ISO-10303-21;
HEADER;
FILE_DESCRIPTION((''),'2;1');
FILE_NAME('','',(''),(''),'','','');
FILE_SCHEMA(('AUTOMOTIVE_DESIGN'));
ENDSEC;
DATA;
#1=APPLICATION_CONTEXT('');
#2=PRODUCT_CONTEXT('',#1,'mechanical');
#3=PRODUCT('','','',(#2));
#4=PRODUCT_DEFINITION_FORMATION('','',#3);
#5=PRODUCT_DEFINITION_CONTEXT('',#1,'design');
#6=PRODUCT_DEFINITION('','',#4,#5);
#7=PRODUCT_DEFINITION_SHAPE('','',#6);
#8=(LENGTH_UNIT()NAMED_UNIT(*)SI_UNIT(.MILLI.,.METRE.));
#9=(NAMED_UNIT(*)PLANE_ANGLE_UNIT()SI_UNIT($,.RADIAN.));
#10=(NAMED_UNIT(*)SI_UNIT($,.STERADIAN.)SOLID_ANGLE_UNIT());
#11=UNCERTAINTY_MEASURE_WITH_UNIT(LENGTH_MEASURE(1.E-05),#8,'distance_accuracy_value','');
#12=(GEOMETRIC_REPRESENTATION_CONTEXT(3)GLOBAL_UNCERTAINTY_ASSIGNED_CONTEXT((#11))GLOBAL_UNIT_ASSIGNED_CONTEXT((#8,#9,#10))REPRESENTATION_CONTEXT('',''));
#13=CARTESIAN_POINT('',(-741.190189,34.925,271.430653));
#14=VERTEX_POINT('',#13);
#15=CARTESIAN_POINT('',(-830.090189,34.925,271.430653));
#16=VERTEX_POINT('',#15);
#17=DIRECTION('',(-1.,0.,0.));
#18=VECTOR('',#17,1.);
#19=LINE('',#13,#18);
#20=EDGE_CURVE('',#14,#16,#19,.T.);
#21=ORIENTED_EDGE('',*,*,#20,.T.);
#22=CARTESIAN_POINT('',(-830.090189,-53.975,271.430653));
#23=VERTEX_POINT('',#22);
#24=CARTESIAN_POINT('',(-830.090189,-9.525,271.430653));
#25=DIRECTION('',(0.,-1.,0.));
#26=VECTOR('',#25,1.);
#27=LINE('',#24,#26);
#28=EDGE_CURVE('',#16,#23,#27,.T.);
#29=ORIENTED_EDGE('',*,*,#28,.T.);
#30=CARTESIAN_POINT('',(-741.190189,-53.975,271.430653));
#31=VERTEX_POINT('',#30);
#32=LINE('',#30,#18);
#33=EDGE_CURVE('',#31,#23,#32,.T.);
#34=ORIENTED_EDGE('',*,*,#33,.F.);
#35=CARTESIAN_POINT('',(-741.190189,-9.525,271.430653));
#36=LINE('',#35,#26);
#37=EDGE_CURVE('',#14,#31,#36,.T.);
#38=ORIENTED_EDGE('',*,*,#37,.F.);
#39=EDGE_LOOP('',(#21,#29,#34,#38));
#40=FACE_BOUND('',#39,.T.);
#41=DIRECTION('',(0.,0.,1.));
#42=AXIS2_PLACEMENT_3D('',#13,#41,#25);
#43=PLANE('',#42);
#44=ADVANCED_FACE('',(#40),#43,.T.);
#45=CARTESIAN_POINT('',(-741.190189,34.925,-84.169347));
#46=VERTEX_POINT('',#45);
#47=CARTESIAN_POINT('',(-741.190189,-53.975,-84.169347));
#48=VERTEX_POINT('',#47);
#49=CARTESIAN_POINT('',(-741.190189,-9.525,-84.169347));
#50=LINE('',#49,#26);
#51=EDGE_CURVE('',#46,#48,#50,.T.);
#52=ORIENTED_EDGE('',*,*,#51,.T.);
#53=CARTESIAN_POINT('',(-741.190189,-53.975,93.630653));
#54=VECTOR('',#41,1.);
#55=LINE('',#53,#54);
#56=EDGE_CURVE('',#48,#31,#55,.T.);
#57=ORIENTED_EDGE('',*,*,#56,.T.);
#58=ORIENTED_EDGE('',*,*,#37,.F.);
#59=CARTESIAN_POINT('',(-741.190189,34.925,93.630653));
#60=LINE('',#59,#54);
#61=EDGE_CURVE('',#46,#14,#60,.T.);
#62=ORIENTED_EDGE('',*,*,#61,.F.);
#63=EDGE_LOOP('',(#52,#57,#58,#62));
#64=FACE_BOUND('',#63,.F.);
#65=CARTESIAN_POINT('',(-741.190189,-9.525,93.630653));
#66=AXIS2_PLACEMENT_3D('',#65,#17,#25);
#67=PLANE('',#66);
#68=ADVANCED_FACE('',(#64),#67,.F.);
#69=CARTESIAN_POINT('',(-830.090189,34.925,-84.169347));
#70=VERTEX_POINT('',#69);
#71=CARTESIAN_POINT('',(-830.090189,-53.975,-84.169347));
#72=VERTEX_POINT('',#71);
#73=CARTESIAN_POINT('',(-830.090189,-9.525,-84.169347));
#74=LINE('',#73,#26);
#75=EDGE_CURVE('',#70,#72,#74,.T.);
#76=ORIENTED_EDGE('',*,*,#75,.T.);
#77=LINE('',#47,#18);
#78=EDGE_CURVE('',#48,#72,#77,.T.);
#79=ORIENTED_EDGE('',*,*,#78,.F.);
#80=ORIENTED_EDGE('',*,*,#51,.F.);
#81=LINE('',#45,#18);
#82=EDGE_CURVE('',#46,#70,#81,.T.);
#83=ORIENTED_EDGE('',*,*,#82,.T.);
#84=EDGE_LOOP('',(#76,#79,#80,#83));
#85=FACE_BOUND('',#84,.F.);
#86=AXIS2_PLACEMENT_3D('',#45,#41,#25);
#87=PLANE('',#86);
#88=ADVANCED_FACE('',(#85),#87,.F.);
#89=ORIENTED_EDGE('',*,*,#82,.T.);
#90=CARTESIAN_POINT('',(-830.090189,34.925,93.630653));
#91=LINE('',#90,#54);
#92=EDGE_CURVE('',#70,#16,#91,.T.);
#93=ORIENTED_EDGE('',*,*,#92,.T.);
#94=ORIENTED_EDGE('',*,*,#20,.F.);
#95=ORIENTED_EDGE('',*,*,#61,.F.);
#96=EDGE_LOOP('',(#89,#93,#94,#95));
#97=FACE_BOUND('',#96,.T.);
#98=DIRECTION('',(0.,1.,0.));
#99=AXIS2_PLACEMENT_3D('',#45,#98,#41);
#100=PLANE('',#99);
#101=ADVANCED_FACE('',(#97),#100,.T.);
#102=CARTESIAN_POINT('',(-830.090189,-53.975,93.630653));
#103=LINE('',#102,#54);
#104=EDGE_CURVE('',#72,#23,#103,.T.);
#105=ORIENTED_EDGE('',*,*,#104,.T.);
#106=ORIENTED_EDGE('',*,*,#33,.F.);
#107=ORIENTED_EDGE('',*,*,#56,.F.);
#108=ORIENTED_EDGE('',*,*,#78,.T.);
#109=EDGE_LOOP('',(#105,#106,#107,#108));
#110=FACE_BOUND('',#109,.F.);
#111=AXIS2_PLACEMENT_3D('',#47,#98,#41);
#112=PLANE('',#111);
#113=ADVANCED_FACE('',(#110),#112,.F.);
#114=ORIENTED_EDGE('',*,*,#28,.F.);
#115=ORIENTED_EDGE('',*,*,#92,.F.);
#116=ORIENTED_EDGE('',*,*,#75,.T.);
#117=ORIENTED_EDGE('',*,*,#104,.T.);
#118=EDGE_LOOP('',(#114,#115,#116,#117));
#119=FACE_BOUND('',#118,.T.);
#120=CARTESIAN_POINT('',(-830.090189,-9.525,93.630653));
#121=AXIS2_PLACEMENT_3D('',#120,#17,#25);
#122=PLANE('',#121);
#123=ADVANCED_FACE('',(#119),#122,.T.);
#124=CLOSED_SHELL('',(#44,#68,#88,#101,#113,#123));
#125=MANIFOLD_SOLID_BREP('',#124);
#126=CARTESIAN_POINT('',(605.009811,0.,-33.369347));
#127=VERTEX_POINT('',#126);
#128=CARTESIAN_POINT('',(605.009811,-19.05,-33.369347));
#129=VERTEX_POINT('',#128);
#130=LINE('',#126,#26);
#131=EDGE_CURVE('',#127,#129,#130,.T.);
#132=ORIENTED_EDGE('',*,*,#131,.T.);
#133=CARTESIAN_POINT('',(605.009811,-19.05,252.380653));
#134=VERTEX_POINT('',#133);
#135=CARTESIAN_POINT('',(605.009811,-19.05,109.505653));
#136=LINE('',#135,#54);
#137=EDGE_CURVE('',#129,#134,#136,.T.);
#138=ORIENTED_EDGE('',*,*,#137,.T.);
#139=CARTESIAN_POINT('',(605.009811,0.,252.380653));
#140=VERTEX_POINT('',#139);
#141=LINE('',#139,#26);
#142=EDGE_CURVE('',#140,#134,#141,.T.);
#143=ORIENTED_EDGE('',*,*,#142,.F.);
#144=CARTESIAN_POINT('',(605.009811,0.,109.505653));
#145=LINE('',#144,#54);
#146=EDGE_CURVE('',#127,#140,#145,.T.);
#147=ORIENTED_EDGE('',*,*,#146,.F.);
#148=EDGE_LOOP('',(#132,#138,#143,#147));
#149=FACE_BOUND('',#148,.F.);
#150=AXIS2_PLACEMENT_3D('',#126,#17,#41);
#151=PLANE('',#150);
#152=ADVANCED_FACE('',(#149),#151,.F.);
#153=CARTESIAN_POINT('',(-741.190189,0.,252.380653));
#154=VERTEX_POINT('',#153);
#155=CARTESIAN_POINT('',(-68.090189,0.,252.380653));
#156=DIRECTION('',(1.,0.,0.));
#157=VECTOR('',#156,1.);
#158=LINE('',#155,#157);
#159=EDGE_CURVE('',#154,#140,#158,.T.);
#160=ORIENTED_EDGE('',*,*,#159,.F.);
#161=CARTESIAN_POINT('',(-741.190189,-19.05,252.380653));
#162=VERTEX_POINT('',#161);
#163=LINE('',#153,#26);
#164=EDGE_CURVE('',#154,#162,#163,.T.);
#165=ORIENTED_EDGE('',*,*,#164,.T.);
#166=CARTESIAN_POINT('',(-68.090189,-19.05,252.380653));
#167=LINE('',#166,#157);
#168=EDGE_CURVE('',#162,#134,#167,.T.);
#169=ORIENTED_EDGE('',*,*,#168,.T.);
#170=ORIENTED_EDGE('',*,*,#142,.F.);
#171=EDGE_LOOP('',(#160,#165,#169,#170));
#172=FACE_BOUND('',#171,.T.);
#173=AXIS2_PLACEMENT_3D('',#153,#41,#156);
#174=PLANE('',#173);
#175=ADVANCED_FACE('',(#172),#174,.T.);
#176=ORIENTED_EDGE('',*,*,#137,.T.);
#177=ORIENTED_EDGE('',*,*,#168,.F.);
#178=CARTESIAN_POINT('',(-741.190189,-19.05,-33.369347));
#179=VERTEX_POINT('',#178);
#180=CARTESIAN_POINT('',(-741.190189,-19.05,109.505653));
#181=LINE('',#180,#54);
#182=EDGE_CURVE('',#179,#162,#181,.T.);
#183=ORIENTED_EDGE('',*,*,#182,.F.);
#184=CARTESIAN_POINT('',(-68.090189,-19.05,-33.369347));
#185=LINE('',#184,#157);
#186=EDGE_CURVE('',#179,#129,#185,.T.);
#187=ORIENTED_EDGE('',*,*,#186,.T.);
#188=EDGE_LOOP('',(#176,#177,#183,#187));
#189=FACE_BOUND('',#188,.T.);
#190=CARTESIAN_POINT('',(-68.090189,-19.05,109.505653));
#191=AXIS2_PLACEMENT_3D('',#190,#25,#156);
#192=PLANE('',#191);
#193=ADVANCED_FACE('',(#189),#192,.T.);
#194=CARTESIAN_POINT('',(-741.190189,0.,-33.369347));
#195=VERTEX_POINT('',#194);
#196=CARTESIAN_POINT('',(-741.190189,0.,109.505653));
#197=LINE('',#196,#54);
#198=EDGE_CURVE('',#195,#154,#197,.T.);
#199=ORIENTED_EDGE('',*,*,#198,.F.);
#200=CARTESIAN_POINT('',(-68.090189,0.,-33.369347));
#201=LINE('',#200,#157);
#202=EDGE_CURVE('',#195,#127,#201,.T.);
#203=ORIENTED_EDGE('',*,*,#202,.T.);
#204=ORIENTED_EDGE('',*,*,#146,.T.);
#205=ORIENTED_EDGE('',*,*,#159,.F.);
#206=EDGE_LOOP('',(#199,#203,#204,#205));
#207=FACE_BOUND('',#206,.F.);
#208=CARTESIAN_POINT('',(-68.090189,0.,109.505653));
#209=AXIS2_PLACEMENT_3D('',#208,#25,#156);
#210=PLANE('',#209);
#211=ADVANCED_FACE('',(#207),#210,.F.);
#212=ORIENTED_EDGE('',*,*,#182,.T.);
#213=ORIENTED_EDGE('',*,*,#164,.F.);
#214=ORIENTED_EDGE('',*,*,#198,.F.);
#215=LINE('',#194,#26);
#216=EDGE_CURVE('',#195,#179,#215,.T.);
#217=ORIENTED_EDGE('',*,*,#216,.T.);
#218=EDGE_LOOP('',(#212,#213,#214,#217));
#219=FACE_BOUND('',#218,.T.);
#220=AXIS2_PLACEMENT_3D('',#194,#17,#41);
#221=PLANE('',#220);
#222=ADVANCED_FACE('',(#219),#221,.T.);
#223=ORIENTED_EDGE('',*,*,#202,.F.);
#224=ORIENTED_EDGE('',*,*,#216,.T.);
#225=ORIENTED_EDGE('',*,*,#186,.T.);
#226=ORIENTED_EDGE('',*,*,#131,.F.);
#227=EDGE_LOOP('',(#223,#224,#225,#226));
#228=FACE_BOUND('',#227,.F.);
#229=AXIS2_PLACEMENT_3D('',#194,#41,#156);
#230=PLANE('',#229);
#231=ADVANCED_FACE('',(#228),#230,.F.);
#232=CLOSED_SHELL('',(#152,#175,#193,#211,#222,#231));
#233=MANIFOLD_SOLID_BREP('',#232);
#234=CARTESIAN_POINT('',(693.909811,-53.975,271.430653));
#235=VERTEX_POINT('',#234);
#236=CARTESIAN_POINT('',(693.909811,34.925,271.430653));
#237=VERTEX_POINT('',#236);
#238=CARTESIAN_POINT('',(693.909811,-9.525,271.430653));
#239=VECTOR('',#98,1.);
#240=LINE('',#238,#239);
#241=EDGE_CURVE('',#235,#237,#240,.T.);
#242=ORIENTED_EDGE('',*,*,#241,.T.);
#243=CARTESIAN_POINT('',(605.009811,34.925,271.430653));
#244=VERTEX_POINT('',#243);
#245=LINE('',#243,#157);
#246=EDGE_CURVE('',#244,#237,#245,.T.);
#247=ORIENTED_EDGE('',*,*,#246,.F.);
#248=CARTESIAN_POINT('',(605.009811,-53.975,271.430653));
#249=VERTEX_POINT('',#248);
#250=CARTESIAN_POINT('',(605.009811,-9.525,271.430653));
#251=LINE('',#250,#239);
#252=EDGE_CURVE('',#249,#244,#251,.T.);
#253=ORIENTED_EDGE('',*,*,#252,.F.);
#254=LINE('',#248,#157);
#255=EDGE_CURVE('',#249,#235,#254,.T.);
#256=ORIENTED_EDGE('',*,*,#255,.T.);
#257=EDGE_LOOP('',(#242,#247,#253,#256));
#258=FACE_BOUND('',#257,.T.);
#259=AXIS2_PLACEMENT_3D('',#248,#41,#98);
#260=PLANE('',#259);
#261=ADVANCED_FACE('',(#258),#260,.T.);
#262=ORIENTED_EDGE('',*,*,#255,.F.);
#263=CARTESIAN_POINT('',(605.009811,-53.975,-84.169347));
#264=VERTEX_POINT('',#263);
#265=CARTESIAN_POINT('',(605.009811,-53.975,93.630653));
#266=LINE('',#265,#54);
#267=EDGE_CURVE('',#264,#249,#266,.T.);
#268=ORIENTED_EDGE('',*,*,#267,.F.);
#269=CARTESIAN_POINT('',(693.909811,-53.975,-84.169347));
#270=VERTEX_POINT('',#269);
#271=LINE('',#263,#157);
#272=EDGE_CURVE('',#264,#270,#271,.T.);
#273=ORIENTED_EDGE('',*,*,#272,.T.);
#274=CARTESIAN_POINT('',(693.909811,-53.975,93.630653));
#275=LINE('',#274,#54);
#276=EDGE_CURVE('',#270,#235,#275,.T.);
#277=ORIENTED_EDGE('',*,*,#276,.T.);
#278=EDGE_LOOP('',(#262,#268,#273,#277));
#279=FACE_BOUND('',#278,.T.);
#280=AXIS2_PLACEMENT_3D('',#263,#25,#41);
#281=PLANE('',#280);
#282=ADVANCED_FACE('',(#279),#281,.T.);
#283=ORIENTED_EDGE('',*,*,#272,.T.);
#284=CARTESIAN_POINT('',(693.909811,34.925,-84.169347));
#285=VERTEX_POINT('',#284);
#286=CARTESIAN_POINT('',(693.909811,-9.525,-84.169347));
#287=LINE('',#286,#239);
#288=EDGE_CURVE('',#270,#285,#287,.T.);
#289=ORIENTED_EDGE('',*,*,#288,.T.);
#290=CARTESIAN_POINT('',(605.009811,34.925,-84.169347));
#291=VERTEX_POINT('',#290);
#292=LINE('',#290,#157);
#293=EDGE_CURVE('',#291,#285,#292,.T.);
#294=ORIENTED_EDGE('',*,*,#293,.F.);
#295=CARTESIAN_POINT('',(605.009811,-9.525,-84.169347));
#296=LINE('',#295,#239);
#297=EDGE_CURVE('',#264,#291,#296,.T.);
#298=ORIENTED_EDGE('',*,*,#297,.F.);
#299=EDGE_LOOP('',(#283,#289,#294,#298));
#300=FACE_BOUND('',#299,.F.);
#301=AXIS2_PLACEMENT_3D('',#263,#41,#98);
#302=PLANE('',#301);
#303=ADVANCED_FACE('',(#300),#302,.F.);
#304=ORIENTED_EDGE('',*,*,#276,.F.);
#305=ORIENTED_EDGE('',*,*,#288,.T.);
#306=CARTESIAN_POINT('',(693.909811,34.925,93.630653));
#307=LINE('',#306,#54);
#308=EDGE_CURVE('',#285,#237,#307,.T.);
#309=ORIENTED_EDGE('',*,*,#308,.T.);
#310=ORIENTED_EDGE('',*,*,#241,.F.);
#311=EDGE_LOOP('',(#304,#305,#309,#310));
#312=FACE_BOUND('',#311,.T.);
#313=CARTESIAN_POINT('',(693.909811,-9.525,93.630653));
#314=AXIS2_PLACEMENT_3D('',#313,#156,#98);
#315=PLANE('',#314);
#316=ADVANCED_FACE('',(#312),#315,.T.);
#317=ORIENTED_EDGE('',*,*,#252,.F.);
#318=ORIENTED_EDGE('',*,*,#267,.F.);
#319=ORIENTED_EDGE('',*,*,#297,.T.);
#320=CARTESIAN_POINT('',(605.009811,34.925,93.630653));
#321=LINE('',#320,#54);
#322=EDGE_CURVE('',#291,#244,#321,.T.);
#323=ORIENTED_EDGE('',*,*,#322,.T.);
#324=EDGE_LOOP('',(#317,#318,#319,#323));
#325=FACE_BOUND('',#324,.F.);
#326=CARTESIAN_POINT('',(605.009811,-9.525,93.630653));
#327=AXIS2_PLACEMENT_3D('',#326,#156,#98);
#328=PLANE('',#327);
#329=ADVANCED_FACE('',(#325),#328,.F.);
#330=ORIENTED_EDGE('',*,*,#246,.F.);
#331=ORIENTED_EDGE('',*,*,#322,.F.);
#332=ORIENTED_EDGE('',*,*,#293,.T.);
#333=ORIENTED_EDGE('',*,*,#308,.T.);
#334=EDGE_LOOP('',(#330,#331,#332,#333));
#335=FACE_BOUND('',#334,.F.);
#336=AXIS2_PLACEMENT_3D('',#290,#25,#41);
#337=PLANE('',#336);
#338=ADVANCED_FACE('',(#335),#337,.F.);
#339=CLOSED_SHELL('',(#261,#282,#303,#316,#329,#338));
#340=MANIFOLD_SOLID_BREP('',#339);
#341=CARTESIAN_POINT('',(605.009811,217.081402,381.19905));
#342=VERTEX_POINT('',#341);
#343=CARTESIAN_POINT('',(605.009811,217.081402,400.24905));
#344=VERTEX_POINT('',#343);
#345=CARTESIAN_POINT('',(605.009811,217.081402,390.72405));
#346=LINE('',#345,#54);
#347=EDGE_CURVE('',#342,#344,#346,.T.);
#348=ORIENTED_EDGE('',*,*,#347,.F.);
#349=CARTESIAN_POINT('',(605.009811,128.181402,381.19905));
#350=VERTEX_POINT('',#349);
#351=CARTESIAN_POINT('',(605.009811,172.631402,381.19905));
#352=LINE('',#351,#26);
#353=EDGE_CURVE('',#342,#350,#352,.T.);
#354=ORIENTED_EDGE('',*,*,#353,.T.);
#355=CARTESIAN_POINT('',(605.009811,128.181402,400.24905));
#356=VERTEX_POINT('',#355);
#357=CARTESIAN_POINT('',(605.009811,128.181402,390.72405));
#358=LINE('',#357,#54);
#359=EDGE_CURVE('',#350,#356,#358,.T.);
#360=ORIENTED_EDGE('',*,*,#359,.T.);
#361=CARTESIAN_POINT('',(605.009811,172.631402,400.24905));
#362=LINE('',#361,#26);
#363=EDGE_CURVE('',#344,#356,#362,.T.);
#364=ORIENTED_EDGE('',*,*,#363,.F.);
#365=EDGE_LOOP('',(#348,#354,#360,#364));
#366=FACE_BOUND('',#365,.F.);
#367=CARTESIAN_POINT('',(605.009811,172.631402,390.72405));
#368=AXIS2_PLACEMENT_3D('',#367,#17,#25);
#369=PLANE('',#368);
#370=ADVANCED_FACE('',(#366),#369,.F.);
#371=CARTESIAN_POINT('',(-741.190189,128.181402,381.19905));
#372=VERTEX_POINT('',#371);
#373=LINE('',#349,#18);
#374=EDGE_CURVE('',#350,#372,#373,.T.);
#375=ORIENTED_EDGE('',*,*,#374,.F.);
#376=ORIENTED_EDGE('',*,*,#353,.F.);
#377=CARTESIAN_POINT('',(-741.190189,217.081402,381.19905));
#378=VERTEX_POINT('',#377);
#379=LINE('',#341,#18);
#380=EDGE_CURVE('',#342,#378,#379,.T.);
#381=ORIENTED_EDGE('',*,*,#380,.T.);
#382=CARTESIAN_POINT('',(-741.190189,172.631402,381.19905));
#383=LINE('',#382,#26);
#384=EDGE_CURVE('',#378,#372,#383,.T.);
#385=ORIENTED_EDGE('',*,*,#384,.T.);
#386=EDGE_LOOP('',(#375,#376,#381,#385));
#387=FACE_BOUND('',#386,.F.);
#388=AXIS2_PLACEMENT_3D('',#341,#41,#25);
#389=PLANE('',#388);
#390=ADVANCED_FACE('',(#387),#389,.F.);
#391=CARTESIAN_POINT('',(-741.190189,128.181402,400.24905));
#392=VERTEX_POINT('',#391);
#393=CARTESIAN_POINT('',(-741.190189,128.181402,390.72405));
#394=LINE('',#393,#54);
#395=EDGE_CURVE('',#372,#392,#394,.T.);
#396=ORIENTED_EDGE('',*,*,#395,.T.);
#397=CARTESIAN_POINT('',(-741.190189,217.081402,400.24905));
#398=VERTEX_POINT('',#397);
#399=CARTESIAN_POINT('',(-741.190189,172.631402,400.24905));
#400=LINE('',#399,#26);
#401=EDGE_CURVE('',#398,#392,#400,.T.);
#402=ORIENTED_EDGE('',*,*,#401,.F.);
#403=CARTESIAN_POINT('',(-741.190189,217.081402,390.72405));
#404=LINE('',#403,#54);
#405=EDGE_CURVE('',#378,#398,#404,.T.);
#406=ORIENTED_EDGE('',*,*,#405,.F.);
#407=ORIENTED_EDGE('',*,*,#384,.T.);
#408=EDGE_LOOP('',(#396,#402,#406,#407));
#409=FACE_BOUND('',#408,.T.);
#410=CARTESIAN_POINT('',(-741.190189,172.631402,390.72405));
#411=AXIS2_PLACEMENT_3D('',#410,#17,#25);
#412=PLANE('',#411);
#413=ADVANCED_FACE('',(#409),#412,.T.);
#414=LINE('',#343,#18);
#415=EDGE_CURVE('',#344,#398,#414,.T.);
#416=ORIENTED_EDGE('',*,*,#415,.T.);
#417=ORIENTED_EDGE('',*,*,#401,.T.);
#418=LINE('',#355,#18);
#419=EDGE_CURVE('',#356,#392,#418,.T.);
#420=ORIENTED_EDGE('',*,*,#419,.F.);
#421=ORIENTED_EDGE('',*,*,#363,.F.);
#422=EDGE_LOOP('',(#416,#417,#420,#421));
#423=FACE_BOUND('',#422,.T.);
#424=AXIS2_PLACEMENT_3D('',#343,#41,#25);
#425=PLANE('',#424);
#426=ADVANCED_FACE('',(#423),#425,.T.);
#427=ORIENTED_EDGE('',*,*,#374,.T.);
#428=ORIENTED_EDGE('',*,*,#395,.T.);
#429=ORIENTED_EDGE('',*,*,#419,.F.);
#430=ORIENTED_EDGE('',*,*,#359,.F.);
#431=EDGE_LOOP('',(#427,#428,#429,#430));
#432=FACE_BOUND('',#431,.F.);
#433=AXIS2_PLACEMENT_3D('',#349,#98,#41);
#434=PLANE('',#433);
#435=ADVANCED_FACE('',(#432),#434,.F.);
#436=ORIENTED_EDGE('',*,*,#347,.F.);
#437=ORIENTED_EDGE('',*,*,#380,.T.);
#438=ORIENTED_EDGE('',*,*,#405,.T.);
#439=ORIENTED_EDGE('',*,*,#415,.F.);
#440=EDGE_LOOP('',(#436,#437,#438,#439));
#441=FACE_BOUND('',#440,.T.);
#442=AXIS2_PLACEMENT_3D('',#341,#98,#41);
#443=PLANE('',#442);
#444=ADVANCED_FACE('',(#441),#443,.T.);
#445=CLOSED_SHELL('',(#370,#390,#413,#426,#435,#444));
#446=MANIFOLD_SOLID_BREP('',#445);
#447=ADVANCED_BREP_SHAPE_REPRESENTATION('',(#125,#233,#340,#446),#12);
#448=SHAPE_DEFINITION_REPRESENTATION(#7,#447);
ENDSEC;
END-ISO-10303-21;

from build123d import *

# Parameters (mm, degrees)
F0_W     = 1346.2
F0_H     = 285.75
F1_DEPTH = 19.05
F2_W     = 88.9
F2_H     = 355.6
F3_DEPTH = 88.9
F4_W     = 88.9
F4_H     = 355.6
F5_DEPTH = 88.9
F6_W     = 88.9
F6_H     = 19.05
F7_DEPTH = 1346.2


with BuildPart() as f1:
    # F0 (on Front) → F1 (new body)
    with BuildSketch(Plane.XZ):
        with Locations((-68.090189, 109.505653)):
            Rectangle(F0_W, F0_H)
    extrude(amount=F1_DEPTH)


with BuildPart() as f3:
    # F2 (on face) → F3 (new body)
    with BuildSketch(Plane(origin=(-741.190189, 0, 0), x_dir=(0, -1, 0), z_dir=(-1, 0, 0))):
        with Locations((9.525, 93.630653)):
            Rectangle(F2_W, F2_H)
    extrude(amount=F3_DEPTH)


with BuildPart() as f5:
    # F4 (on face) → F5 (new body)
    with BuildSketch(Plane.YZ.offset(605.009811)):
        with Locations((-9.525, 93.630653)):
            Rectangle(F4_W, F4_H)
    extrude(amount=F5_DEPTH)


with BuildPart() as f7:
    # F6 (on face) → F7 (new body, through all)
    with BuildSketch(Plane(origin=(605.009811, 0, 0), x_dir=(0, -1, 0), z_dir=(-1, 0, 0))):
        with Locations((-172.631402, 390.72405)):
            Rectangle(F6_W, F6_H)
    extrude(amount=F7_DEPTH)


solid = Compound([f1.part, f3.part, f5.part, f7.part])
